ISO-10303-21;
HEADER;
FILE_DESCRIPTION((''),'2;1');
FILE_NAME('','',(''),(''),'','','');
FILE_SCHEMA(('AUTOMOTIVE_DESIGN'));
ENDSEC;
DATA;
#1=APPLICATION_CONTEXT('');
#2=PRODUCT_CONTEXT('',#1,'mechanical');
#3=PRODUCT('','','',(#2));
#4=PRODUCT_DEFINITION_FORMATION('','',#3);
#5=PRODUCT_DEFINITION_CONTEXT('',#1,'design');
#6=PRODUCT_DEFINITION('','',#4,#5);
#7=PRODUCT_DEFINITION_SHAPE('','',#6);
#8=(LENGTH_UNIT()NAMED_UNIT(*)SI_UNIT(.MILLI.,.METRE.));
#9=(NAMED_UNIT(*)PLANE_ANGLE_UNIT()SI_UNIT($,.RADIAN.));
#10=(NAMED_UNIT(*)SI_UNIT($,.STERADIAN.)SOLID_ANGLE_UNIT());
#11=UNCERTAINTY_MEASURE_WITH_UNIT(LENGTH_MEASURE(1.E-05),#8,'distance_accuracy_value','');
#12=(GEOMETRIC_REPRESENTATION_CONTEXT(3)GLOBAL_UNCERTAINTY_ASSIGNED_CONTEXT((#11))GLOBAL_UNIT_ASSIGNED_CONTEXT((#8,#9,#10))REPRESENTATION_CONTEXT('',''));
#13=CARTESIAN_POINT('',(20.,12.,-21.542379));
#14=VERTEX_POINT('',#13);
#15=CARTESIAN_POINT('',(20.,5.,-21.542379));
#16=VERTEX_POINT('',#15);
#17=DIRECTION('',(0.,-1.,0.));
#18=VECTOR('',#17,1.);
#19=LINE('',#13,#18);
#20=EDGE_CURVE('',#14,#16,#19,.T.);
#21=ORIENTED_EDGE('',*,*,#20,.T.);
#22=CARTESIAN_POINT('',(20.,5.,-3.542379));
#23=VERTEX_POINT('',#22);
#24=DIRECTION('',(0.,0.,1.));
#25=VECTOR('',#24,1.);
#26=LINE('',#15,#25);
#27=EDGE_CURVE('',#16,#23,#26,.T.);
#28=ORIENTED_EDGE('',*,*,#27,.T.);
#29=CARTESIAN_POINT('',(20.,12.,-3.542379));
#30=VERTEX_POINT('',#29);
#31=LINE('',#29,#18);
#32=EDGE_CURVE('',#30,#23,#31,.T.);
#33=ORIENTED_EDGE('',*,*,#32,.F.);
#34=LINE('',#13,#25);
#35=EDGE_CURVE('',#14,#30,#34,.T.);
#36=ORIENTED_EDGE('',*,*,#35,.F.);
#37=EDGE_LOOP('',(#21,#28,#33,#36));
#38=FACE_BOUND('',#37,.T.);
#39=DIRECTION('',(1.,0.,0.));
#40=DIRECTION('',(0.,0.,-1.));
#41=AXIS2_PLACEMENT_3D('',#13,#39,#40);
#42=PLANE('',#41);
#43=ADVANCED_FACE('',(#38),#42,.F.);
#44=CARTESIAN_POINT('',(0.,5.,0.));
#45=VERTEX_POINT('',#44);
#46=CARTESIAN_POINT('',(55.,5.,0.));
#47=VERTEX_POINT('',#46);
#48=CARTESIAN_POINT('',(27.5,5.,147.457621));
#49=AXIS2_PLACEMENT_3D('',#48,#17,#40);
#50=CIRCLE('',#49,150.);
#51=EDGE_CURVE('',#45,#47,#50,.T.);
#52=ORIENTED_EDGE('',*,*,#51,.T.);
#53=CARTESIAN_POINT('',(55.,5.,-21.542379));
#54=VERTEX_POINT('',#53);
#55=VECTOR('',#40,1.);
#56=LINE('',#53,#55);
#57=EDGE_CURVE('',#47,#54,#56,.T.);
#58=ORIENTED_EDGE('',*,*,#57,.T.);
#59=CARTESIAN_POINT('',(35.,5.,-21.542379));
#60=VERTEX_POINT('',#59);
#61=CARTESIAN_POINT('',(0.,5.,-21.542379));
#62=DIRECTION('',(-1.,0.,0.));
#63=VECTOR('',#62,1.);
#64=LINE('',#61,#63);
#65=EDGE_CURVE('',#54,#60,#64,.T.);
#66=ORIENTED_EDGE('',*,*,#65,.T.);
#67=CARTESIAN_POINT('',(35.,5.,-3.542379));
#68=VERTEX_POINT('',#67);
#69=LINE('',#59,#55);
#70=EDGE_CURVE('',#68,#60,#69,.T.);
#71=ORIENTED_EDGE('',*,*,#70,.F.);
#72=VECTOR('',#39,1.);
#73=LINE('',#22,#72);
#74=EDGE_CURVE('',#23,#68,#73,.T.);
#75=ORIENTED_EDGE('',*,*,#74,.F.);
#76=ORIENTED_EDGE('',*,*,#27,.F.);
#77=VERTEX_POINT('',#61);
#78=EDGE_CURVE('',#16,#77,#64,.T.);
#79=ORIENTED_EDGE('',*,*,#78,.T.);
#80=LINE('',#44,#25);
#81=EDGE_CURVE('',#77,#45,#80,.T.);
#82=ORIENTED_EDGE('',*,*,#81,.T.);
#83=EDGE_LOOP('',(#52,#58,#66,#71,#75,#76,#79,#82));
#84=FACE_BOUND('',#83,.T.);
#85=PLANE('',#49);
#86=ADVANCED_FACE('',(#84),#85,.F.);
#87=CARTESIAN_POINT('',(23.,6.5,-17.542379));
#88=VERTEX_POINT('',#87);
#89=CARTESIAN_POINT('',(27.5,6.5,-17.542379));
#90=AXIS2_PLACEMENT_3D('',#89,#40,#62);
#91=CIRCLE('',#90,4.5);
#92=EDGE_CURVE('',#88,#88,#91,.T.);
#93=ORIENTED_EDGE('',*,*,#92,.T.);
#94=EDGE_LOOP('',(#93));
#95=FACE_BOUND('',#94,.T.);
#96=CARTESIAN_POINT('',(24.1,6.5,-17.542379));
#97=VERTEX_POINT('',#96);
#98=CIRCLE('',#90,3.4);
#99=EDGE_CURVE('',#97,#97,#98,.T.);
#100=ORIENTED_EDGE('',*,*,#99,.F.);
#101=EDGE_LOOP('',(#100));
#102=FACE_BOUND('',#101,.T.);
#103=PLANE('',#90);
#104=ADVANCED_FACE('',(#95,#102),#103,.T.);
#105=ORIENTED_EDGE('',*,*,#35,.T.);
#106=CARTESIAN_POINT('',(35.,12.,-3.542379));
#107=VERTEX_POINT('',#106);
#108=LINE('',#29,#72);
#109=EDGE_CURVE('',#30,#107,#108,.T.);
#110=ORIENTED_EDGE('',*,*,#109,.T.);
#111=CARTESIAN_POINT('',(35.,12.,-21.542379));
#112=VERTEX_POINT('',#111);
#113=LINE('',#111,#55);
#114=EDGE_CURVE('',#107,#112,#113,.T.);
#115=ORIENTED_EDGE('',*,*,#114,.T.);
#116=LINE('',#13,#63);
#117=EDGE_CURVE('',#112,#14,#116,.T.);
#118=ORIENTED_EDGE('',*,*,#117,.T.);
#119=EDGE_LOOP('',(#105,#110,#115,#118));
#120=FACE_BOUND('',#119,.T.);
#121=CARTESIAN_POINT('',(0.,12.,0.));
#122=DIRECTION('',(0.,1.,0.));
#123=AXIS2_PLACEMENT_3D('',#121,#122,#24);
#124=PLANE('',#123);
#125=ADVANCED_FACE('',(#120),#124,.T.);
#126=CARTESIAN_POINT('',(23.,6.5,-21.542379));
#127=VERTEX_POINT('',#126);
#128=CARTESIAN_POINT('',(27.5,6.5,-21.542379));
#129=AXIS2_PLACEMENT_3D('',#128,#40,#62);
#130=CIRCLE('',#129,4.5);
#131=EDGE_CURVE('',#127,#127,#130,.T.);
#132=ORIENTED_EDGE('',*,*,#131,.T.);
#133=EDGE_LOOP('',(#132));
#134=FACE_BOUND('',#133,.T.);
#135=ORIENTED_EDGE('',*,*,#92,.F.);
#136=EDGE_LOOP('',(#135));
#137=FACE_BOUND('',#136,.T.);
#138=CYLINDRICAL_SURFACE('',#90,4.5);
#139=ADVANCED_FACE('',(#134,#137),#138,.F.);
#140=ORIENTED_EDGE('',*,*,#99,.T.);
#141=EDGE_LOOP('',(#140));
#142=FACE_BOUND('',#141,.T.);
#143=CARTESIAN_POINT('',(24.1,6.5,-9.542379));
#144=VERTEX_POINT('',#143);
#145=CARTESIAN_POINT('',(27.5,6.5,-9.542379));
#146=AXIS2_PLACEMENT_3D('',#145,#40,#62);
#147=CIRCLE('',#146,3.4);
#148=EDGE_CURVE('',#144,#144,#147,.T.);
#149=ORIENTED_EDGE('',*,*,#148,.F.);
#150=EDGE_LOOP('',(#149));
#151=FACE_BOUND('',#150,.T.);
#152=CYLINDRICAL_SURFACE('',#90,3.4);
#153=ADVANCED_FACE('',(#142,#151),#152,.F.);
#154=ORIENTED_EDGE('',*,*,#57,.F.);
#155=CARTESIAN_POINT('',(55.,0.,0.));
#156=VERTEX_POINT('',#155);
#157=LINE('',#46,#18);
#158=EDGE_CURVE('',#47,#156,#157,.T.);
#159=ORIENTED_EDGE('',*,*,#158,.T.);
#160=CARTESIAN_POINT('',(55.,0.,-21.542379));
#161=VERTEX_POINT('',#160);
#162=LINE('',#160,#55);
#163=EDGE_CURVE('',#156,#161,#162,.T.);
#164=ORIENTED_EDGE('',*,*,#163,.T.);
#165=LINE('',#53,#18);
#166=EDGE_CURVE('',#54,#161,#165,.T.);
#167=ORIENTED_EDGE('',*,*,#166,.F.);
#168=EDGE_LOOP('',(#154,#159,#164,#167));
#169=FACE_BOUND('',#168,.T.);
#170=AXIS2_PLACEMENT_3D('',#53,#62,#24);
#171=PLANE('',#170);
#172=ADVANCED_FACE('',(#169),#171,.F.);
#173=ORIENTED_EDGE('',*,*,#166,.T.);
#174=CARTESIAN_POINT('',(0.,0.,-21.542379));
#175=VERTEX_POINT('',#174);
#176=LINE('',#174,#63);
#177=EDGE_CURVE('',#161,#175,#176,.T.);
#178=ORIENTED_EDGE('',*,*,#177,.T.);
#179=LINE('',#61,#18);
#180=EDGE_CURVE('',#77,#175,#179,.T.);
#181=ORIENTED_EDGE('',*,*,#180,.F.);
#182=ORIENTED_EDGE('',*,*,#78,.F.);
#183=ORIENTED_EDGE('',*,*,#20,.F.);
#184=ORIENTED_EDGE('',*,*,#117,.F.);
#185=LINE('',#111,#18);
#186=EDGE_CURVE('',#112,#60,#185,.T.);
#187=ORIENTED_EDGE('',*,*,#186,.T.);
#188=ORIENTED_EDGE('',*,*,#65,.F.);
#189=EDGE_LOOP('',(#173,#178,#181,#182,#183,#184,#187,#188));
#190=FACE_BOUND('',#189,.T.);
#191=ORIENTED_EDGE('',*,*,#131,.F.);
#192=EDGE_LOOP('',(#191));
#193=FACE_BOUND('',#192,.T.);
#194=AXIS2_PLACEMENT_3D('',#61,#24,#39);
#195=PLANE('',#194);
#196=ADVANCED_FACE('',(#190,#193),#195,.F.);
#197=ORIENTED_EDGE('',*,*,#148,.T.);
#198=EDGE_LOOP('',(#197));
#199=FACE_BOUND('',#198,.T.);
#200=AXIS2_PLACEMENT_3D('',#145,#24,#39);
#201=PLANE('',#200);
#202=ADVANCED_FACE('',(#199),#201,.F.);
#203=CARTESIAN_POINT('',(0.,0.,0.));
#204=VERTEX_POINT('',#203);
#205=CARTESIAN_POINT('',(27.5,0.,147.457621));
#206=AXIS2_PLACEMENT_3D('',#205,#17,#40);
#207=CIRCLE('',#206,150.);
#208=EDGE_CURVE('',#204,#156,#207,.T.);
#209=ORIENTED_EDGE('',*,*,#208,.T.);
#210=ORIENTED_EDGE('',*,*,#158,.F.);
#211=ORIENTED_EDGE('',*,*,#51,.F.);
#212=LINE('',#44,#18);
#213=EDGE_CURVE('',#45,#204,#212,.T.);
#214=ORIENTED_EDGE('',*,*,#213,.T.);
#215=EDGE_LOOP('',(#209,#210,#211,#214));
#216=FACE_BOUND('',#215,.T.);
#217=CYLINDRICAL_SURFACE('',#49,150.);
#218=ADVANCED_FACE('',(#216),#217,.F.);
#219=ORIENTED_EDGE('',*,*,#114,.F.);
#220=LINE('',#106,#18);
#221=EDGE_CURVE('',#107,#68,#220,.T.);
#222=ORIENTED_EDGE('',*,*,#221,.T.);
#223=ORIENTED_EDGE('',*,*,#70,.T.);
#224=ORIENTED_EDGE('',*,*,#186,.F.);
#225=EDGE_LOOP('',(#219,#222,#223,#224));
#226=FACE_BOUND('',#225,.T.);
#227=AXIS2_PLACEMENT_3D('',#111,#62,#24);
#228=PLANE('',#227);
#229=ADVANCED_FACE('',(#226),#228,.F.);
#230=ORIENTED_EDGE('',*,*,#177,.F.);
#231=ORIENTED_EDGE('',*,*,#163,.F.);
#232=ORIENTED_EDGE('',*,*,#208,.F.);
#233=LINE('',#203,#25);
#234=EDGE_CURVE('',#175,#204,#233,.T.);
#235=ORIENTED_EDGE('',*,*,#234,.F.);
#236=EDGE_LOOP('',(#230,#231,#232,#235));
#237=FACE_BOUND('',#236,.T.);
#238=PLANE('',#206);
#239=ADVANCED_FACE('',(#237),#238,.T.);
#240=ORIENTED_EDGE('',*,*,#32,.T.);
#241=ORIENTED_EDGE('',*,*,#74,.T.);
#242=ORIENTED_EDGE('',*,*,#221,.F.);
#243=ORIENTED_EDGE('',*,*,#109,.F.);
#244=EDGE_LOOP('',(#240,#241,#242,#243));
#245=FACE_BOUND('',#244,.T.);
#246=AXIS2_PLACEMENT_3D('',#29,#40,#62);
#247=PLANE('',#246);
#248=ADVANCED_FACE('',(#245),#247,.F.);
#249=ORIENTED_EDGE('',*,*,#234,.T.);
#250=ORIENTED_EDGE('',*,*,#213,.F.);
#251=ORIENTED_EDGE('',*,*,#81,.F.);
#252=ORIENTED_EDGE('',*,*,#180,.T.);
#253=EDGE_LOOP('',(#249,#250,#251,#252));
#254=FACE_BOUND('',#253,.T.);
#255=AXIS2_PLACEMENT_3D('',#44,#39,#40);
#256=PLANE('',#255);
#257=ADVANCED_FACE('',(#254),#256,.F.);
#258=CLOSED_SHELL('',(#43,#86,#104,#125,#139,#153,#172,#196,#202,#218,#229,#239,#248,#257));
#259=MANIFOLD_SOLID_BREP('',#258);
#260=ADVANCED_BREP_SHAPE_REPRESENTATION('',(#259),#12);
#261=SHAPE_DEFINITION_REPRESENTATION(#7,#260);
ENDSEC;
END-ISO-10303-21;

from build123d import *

# Parameters (mm, degrees)
BOSS_EXTRUDE1_DEPTH              = 5
SKETCH2_W                        = 15
SKETCH2_H                        = 18
BOSS_EXTRUDE2_DEPTH              = 7
SKETCH3_R                        = 4.5
CUT_EXTRUDE2_DEPTH               = 4
TAP_DRILL_FOR_M8X1_25_TAP1_D     = 6.8
TAP_DRILL_FOR_M8X1_25_TAP1_DEPTH = 8


with BuildPart() as part:
    # Sketch1 → Boss-Extrude1 (new body)
    with BuildSketch(Plane(origin=(0, 0, 0), x_dir=(1, 0, 0), z_dir=(0, 1, 0))):
        with BuildLine():
            Line((0, 0), (0, 21.542378969))
            Line((0, 21.542378969), (55, 21.542378969))
            Line((55, 21.542378969), (55, 0))
            ThreePointArc((55, 0), (27.5, 2.542378969), (0, 0))
        make_face()
    extrude(amount=BOSS_EXTRUDE1_DEPTH)

    # Sketch2 → Boss-Extrude2 (add)
    with BuildSketch(Plane(origin=(0, 5, 0), x_dir=(1, 0, 0), z_dir=(0, 1, 0))):
        with Locations((27.5, 12.542378969)):
            Rectangle(SKETCH2_W, SKETCH2_H)
    extrude(amount=BOSS_EXTRUDE2_DEPTH)

    # Sketch3 → Cut-Extrude2 (cut)
    with BuildSketch(Plane(origin=(0, 0, -21.542378969), x_dir=(-1, 0, 0), z_dir=(0, 0, -1))):
        with Locations((-27.5, 6.5)):
            Circle(SKETCH3_R)
    extrude(amount=-CUT_EXTRUDE2_DEPTH, mode=Mode.SUBTRACT)

    # Tap Drill for M8x1.25 Tap1
    with Locations(Plane(origin=(0, 0, -17.542378969), x_dir=(-1, 0, 0), z_dir=(0, 0, -1))):
        with Locations((-27.5, 6.5)):
            Hole(TAP_DRILL_FOR_M8X1_25_TAP1_D / 2, depth=TAP_DRILL_FOR_M8X1_25_TAP1_DEPTH)


solid = part.part
